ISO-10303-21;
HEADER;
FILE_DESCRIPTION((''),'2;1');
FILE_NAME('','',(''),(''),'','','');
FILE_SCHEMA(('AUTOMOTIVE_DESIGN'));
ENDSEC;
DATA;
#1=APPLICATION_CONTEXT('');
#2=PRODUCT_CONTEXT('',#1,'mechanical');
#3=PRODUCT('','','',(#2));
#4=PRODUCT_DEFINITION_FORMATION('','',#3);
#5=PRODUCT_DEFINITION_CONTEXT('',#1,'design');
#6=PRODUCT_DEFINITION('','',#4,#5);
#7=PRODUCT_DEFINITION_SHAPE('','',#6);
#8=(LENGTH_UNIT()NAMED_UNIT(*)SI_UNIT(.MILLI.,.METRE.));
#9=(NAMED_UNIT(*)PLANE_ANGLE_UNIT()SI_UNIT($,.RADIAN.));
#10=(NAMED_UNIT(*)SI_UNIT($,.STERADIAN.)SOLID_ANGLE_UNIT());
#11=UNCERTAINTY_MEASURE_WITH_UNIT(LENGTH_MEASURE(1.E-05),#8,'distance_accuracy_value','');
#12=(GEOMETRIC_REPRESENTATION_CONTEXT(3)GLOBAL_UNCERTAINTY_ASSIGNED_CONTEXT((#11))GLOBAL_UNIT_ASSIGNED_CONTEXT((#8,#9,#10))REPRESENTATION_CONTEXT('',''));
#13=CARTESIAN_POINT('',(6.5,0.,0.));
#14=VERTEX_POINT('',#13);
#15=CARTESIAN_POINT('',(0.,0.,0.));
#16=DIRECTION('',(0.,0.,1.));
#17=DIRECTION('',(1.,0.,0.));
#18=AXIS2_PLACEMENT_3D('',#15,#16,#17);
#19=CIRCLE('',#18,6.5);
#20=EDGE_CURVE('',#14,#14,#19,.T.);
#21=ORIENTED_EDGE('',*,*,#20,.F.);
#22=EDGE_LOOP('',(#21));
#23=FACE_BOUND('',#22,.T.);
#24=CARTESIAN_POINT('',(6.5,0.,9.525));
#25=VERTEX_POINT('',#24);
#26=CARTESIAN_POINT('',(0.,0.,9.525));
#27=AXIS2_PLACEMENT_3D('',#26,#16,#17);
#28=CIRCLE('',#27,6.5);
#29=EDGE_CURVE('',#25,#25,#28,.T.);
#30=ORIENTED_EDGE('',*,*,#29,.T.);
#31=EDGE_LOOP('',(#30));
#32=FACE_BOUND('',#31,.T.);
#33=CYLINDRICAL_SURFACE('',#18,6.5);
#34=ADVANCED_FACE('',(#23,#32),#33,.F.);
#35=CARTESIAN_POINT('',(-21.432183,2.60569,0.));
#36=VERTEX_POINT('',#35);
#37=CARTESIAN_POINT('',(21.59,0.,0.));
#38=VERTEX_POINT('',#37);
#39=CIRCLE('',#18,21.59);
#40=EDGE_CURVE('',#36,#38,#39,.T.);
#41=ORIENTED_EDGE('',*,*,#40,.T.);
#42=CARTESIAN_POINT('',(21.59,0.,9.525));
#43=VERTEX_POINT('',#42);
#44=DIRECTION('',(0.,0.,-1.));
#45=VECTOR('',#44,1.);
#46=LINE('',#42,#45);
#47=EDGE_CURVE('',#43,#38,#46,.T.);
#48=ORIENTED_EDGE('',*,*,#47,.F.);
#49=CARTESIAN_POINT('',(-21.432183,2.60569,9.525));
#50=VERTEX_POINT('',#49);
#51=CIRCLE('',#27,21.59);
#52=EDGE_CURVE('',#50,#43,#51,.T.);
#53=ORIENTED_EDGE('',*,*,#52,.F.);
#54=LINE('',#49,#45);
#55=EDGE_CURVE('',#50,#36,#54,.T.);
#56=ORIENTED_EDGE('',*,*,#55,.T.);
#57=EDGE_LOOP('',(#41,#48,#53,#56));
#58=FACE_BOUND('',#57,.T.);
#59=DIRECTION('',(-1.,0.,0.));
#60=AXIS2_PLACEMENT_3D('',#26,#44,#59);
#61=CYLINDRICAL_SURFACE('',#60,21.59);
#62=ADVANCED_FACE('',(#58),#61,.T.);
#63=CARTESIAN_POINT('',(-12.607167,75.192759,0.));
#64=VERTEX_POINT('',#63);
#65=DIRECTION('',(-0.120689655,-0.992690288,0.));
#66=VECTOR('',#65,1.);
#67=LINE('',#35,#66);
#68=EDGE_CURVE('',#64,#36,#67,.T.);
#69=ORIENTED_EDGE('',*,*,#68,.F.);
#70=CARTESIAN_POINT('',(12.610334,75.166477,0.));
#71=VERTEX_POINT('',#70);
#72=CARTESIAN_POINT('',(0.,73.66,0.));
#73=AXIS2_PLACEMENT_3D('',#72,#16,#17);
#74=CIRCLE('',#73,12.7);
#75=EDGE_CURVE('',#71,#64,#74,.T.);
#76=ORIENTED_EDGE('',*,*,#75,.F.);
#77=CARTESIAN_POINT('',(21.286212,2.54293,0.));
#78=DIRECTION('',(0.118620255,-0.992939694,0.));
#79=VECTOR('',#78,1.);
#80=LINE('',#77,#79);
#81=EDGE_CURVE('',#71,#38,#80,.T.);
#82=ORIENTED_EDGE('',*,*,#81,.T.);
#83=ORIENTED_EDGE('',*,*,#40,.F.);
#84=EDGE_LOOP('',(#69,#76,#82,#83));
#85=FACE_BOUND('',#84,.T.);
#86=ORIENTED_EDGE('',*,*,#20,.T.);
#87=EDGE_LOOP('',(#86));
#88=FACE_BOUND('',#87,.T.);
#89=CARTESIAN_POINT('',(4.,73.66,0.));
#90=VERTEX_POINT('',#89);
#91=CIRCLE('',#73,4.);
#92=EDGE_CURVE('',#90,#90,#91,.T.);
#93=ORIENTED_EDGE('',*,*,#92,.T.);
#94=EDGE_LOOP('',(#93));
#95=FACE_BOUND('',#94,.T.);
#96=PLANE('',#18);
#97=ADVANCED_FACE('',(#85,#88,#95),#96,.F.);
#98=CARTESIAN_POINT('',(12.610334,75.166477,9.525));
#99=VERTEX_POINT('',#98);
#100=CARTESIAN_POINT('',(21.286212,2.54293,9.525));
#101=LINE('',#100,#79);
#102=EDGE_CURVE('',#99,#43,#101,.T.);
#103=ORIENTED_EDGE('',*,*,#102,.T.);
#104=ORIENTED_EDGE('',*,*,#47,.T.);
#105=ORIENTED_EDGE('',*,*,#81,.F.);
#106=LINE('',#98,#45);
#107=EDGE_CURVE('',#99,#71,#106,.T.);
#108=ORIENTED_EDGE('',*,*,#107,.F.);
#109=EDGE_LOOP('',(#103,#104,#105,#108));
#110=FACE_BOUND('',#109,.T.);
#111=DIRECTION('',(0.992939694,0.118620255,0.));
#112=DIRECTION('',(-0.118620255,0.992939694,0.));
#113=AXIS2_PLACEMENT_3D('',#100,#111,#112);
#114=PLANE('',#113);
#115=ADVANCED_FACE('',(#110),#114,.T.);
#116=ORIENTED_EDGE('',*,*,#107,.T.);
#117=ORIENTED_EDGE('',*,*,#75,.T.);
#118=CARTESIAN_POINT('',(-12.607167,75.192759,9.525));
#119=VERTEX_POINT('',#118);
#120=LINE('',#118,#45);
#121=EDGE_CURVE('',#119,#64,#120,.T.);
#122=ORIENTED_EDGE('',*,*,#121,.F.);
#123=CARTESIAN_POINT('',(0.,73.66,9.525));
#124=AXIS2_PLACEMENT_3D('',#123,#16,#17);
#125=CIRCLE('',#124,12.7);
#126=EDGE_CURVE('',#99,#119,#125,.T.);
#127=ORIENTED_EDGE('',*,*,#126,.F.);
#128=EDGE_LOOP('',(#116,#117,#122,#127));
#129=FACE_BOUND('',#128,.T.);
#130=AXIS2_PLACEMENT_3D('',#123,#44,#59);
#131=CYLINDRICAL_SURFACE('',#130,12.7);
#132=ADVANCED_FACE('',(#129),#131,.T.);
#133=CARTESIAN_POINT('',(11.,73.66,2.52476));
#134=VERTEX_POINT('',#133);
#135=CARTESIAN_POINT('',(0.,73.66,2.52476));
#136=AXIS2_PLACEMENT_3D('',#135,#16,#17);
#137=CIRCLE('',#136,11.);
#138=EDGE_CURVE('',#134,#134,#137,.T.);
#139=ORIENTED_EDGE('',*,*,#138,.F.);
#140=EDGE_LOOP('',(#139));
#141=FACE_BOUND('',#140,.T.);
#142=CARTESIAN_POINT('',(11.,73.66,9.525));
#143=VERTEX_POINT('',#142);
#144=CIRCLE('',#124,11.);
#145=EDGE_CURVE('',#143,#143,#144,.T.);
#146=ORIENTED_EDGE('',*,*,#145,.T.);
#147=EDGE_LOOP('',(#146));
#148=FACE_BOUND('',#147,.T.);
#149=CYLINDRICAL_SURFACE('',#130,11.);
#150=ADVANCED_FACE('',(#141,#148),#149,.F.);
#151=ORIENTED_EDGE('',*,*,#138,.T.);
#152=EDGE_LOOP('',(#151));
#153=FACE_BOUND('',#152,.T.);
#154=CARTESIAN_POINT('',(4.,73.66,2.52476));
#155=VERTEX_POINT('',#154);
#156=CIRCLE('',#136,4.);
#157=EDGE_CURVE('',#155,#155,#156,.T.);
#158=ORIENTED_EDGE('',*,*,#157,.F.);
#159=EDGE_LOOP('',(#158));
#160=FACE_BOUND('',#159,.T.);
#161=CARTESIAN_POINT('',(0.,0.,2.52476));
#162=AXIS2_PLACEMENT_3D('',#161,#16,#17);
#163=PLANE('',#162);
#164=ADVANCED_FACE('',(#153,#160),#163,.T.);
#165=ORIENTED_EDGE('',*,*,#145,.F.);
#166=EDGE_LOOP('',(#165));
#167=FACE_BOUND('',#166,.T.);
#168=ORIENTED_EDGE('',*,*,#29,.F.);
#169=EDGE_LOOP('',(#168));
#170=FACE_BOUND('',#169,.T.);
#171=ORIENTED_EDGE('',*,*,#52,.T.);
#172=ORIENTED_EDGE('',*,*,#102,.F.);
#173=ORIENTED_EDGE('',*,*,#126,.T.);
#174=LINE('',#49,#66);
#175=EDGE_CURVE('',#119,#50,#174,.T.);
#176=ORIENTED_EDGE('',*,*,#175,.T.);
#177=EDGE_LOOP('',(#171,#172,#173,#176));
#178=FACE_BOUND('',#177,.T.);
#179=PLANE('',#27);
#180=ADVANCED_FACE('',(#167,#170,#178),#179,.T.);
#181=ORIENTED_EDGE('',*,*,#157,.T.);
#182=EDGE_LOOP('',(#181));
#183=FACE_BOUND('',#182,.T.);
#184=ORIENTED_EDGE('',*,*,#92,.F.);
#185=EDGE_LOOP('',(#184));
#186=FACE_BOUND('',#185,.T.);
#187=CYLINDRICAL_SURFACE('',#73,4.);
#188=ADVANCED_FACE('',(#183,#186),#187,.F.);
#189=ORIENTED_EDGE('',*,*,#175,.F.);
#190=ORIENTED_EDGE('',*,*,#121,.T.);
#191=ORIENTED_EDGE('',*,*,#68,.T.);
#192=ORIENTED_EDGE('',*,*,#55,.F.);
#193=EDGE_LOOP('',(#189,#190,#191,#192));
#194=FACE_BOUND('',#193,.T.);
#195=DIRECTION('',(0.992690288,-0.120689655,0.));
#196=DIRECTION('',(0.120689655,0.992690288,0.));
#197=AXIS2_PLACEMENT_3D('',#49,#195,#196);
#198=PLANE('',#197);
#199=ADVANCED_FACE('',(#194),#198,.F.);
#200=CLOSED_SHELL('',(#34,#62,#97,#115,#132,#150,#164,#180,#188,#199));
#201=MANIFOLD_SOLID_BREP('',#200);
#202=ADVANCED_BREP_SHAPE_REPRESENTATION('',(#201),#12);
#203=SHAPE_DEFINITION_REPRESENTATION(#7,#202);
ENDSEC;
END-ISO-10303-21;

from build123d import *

# Parameters (mm, degrees)
SKETCH1_R           = 11
BOSS_EXTRUDE1_DEPTH = 9.525
SKETCH1_3_R         = 11
BOSS_EXTRUDE2_DEPTH = 2.52476
SKETCH2_R           = 4
CUT_EXTRUDE1_DEPTH  = 2.52476
SKETCH3_R           = 6.5
CUT_EXTRUDE2_DEPTH  = 10.525


with BuildPart() as part:
    # Sketch1 → Boss-Extrude1 (new body)
    with BuildSketch(Plane.XY):
        with BuildLine():
            ThreePointArc((12.610334109, 75.166477239), (0.013235783, 86.359993103), (-12.607166653, 75.192758621))
            Line((-12.607166653, 75.192758621), (-21.43218331, 2.605689655))
            ThreePointArc((-21.43218331, 2.605689655), (-1.305232229, -21.550509712), (21.59, 0))
            Line((21.59, 0), (12.610334109, 75.166477239))
        make_face()
        with Locations((0, 73.66)):
            Circle(SKETCH1_R, mode=Mode.SUBTRACT)
    extrude(amount=BOSS_EXTRUDE1_DEPTH)

    # Sketch1<3> → Boss-Extrude2 (add)
    with BuildSketch(Plane.XY):
        with Locations((0, 73.66)):
            Circle(SKETCH1_3_R)
    extrude(amount=BOSS_EXTRUDE2_DEPTH)

    # Sketch2 → Cut-Extrude1 (cut)
    with BuildSketch(Plane.XY.offset(2.52476)):
        with Locations((0, 73.66)):
            Circle(SKETCH2_R)
    extrude(amount=-CUT_EXTRUDE1_DEPTH, mode=Mode.SUBTRACT)

    # Sketch3 → Cut-Extrude2 (cut, through all)
    with BuildSketch(Plane.XY.offset(9.525)):
        Circle(SKETCH3_R)
    extrude(amount=-CUT_EXTRUDE2_DEPTH, mode=Mode.SUBTRACT)


solid = part.part
